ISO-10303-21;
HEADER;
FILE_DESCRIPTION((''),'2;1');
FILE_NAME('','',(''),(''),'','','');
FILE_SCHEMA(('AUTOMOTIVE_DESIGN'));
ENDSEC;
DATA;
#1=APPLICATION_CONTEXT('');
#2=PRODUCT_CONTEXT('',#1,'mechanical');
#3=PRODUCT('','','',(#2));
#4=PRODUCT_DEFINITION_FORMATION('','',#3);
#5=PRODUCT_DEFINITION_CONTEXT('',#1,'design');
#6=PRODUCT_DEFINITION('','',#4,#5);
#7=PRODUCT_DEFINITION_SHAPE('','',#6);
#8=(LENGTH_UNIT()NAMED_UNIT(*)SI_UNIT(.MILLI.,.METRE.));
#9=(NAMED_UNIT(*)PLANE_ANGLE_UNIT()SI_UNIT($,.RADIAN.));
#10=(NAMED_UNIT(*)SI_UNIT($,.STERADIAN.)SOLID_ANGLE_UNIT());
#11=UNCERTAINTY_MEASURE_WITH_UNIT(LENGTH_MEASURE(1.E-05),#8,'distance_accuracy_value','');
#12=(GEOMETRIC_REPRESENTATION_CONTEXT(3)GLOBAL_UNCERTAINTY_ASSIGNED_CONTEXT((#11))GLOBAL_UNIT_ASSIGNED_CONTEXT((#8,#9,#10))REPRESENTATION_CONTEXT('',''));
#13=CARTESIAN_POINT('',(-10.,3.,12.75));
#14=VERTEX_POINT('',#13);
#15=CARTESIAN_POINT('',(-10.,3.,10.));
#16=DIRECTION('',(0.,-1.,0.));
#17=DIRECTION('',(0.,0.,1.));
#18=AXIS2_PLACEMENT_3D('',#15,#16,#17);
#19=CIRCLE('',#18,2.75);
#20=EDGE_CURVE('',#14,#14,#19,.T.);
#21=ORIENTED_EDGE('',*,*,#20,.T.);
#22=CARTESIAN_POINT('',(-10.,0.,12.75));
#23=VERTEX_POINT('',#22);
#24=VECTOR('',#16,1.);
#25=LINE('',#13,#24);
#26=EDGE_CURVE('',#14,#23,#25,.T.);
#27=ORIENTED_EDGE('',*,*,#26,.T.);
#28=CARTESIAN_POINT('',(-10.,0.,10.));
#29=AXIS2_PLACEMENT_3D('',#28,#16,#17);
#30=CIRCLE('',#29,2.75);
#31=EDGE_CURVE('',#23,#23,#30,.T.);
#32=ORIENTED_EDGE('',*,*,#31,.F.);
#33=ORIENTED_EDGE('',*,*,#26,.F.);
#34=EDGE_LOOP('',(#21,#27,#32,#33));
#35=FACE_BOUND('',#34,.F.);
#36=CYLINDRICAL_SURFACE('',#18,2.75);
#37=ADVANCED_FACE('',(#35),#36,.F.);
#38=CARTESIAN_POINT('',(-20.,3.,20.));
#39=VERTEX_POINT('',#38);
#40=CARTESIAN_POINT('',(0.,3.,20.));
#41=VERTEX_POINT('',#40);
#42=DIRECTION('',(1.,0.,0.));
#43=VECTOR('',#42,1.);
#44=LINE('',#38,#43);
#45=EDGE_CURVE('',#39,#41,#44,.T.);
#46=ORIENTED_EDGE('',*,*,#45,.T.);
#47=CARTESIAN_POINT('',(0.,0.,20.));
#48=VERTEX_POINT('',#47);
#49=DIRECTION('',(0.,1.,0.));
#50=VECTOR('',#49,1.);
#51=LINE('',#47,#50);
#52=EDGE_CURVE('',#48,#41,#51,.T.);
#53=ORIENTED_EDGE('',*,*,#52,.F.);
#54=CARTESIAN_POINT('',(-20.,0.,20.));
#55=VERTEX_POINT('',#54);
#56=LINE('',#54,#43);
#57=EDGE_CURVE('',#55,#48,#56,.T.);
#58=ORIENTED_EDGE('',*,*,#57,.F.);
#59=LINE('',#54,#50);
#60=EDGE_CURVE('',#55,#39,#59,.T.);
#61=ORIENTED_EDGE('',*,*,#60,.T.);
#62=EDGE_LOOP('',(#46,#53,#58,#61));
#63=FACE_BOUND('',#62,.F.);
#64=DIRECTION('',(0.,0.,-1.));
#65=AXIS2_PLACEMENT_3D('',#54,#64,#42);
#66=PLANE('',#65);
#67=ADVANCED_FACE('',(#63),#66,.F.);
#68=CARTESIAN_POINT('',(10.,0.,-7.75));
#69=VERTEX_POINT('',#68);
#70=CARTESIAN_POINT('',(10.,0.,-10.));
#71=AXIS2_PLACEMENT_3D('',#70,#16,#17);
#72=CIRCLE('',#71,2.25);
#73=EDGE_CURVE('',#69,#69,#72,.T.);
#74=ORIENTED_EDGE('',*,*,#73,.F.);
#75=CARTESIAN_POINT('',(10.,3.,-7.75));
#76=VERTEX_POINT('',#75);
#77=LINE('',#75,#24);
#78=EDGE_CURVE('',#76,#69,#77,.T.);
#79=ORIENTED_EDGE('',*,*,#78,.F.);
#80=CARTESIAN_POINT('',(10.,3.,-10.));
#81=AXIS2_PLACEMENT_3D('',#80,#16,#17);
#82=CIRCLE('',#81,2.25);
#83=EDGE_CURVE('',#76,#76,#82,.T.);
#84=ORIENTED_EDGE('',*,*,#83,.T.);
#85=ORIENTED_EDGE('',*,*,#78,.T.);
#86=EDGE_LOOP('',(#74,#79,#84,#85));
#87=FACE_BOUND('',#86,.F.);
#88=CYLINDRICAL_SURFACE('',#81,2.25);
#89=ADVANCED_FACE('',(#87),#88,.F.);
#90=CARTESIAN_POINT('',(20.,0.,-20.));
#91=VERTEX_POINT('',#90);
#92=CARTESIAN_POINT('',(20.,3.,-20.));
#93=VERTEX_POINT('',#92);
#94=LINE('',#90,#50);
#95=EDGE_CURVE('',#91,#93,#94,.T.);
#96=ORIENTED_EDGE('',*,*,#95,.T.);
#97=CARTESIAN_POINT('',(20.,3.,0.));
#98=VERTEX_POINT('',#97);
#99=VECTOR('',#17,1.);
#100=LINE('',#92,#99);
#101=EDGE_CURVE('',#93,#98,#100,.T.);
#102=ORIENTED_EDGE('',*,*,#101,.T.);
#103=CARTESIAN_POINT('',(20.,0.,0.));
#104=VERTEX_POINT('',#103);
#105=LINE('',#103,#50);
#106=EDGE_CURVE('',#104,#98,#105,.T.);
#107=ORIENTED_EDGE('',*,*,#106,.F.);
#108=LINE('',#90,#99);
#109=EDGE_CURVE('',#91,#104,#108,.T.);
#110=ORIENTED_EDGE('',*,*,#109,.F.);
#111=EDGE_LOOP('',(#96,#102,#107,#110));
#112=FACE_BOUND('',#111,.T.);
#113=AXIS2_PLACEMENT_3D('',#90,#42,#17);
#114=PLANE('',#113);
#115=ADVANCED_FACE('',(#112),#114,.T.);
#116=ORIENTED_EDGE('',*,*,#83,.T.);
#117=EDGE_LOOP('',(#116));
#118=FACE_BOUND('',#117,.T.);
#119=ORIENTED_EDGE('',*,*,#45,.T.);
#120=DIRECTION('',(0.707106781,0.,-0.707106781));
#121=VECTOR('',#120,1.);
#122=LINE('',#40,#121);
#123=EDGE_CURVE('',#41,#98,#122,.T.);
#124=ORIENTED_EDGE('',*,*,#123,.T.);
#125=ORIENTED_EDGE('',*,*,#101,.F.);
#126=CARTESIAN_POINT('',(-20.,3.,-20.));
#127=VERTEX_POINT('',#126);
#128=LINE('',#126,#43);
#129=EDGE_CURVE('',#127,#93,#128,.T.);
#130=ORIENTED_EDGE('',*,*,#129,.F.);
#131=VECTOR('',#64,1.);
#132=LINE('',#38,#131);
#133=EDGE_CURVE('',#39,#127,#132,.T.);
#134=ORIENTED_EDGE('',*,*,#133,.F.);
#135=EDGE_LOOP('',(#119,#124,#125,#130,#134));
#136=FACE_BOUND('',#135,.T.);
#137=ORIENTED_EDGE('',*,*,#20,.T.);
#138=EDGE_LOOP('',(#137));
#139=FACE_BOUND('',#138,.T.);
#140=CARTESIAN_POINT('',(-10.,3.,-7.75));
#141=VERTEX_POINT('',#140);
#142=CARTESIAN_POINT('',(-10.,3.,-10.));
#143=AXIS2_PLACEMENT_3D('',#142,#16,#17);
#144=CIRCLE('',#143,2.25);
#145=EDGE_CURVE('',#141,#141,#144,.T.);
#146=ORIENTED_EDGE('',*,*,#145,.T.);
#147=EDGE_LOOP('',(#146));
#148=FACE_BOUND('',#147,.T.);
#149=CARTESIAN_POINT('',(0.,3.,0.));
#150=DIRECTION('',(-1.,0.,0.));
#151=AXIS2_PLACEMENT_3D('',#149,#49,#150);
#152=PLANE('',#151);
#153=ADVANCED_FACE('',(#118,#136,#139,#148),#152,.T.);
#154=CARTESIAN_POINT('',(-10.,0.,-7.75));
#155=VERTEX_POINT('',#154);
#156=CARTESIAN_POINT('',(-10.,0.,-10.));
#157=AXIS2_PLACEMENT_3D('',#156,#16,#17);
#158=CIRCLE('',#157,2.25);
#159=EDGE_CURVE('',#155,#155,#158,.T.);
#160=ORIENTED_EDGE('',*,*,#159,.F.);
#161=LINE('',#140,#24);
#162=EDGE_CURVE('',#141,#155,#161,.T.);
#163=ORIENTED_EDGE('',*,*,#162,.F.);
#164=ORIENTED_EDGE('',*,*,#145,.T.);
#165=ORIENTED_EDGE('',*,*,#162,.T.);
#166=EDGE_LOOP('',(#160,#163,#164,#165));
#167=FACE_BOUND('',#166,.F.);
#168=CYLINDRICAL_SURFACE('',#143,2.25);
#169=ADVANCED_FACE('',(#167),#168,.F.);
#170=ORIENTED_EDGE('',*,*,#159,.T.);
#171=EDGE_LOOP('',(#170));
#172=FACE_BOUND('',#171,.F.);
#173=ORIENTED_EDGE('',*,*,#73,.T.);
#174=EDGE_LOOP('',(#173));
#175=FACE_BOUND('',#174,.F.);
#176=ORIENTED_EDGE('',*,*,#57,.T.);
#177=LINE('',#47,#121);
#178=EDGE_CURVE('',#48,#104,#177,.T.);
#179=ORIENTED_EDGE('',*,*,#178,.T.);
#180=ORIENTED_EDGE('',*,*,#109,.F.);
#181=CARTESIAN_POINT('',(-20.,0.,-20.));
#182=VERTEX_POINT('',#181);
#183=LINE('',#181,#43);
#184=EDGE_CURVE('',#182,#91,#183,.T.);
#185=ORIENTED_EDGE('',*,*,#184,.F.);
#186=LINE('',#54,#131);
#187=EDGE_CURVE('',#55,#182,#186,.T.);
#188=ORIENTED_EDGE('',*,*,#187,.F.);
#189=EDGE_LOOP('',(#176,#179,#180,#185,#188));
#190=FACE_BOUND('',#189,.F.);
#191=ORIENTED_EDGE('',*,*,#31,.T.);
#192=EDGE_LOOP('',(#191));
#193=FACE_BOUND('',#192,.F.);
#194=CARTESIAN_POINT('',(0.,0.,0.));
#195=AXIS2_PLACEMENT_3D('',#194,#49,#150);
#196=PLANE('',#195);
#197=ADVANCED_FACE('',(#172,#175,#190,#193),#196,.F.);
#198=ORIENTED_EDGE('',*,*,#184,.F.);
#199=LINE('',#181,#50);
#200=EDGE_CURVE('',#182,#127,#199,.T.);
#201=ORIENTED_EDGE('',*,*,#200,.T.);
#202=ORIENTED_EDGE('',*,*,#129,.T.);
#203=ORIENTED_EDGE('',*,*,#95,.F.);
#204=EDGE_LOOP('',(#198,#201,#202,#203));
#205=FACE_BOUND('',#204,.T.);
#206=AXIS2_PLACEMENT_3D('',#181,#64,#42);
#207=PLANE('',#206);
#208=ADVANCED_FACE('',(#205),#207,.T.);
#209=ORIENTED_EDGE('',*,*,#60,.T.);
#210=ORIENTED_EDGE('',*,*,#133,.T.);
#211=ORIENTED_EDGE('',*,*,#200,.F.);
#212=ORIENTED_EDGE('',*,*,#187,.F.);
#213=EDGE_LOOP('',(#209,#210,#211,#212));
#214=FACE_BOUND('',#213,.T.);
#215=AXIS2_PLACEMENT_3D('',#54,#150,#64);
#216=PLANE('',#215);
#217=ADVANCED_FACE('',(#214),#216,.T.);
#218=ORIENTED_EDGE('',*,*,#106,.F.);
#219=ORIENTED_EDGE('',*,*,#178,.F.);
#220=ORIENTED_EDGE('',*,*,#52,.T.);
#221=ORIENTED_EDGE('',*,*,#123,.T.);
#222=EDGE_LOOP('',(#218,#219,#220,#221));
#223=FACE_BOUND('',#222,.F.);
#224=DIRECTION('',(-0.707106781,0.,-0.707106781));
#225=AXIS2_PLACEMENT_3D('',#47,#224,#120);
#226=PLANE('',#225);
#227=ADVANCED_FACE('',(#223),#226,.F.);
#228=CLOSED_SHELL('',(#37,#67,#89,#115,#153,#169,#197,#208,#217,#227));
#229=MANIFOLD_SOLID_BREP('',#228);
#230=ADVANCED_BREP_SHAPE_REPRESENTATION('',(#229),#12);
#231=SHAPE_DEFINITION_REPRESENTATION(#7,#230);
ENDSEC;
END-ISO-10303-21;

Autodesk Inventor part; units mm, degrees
ref_plane "YZ Plane" through (0, 0, 0) normal (1, 0, 0) x (0, 1, 0)
ref_plane "XZ Plane" through (0, 0, 0) normal (0, 1, 0) x (-1, 0, 0)
ref_plane "XY Plane" through (0, 0, 0) normal (0, 0, 1) x (1, 0, 0)
sketch "Sketch1" plane through (0, 0, 0) normal (0, 1, 0) x (-1, 0, 0)
  line L0 (20, 20) -> (20, -20)
  line L1 (20, -20) -> (-20, -20)
  line L2 (-20, -20) -> (-20, 0)
  line L3 (20, 20) -> (0, 20)
  line L4 (0, 20) -> (-20, 0)
  point P0 (0, 0)
  point P1 (0, -20)
  point P2 (20, 0)
  dimension "d0" = 40
  dimension "d1" = 40
  dimension "d2" = 20
  dimension "d3" = 20
extrude "Extrusion1" add sketch "Sketch1" along normal blind 3
sketch "Sketch2" plane through (0, 3, 0) normal (0, 1, 0) x (1, 0, 0)
  line L0 (-20, 20) -> (-20, -20) projected
  line L1 (20, 0) -> (20, 20) projected
  line L2 (20, 20) -> (-20, 20) projected
  point P0 (0, 0)
  point P1 (-10, 10)
  point P2 (10, 10)
  dimension "d6" = 10
  dimension "d7" = 10
  dimension "d8" = 10
hole "Hole1" at (-10, 3, -10) at (10, 3, -10) direction (0, -1, 0) diameter 4.5 end through all
sketch "Sketch3" plane through (0, 3, 0) normal (0, 1, 0) x (1, 0, 0)
  line L0 (-20, -20) -> (0, -20) projected
  line L1 (-20, 20) -> (-20, -20) projected
  point P0 (0, 0)
  point P1 (-10, -10)
  dimension "d16" = 10
  dimension "d17" = 10
hole "Hole2" at (-10, 3, 10) direction (0, -1, 0) diameter 5.5 end through all
equation "\"d1\" = d0"
properties part number "X-Axis End - Corner"
